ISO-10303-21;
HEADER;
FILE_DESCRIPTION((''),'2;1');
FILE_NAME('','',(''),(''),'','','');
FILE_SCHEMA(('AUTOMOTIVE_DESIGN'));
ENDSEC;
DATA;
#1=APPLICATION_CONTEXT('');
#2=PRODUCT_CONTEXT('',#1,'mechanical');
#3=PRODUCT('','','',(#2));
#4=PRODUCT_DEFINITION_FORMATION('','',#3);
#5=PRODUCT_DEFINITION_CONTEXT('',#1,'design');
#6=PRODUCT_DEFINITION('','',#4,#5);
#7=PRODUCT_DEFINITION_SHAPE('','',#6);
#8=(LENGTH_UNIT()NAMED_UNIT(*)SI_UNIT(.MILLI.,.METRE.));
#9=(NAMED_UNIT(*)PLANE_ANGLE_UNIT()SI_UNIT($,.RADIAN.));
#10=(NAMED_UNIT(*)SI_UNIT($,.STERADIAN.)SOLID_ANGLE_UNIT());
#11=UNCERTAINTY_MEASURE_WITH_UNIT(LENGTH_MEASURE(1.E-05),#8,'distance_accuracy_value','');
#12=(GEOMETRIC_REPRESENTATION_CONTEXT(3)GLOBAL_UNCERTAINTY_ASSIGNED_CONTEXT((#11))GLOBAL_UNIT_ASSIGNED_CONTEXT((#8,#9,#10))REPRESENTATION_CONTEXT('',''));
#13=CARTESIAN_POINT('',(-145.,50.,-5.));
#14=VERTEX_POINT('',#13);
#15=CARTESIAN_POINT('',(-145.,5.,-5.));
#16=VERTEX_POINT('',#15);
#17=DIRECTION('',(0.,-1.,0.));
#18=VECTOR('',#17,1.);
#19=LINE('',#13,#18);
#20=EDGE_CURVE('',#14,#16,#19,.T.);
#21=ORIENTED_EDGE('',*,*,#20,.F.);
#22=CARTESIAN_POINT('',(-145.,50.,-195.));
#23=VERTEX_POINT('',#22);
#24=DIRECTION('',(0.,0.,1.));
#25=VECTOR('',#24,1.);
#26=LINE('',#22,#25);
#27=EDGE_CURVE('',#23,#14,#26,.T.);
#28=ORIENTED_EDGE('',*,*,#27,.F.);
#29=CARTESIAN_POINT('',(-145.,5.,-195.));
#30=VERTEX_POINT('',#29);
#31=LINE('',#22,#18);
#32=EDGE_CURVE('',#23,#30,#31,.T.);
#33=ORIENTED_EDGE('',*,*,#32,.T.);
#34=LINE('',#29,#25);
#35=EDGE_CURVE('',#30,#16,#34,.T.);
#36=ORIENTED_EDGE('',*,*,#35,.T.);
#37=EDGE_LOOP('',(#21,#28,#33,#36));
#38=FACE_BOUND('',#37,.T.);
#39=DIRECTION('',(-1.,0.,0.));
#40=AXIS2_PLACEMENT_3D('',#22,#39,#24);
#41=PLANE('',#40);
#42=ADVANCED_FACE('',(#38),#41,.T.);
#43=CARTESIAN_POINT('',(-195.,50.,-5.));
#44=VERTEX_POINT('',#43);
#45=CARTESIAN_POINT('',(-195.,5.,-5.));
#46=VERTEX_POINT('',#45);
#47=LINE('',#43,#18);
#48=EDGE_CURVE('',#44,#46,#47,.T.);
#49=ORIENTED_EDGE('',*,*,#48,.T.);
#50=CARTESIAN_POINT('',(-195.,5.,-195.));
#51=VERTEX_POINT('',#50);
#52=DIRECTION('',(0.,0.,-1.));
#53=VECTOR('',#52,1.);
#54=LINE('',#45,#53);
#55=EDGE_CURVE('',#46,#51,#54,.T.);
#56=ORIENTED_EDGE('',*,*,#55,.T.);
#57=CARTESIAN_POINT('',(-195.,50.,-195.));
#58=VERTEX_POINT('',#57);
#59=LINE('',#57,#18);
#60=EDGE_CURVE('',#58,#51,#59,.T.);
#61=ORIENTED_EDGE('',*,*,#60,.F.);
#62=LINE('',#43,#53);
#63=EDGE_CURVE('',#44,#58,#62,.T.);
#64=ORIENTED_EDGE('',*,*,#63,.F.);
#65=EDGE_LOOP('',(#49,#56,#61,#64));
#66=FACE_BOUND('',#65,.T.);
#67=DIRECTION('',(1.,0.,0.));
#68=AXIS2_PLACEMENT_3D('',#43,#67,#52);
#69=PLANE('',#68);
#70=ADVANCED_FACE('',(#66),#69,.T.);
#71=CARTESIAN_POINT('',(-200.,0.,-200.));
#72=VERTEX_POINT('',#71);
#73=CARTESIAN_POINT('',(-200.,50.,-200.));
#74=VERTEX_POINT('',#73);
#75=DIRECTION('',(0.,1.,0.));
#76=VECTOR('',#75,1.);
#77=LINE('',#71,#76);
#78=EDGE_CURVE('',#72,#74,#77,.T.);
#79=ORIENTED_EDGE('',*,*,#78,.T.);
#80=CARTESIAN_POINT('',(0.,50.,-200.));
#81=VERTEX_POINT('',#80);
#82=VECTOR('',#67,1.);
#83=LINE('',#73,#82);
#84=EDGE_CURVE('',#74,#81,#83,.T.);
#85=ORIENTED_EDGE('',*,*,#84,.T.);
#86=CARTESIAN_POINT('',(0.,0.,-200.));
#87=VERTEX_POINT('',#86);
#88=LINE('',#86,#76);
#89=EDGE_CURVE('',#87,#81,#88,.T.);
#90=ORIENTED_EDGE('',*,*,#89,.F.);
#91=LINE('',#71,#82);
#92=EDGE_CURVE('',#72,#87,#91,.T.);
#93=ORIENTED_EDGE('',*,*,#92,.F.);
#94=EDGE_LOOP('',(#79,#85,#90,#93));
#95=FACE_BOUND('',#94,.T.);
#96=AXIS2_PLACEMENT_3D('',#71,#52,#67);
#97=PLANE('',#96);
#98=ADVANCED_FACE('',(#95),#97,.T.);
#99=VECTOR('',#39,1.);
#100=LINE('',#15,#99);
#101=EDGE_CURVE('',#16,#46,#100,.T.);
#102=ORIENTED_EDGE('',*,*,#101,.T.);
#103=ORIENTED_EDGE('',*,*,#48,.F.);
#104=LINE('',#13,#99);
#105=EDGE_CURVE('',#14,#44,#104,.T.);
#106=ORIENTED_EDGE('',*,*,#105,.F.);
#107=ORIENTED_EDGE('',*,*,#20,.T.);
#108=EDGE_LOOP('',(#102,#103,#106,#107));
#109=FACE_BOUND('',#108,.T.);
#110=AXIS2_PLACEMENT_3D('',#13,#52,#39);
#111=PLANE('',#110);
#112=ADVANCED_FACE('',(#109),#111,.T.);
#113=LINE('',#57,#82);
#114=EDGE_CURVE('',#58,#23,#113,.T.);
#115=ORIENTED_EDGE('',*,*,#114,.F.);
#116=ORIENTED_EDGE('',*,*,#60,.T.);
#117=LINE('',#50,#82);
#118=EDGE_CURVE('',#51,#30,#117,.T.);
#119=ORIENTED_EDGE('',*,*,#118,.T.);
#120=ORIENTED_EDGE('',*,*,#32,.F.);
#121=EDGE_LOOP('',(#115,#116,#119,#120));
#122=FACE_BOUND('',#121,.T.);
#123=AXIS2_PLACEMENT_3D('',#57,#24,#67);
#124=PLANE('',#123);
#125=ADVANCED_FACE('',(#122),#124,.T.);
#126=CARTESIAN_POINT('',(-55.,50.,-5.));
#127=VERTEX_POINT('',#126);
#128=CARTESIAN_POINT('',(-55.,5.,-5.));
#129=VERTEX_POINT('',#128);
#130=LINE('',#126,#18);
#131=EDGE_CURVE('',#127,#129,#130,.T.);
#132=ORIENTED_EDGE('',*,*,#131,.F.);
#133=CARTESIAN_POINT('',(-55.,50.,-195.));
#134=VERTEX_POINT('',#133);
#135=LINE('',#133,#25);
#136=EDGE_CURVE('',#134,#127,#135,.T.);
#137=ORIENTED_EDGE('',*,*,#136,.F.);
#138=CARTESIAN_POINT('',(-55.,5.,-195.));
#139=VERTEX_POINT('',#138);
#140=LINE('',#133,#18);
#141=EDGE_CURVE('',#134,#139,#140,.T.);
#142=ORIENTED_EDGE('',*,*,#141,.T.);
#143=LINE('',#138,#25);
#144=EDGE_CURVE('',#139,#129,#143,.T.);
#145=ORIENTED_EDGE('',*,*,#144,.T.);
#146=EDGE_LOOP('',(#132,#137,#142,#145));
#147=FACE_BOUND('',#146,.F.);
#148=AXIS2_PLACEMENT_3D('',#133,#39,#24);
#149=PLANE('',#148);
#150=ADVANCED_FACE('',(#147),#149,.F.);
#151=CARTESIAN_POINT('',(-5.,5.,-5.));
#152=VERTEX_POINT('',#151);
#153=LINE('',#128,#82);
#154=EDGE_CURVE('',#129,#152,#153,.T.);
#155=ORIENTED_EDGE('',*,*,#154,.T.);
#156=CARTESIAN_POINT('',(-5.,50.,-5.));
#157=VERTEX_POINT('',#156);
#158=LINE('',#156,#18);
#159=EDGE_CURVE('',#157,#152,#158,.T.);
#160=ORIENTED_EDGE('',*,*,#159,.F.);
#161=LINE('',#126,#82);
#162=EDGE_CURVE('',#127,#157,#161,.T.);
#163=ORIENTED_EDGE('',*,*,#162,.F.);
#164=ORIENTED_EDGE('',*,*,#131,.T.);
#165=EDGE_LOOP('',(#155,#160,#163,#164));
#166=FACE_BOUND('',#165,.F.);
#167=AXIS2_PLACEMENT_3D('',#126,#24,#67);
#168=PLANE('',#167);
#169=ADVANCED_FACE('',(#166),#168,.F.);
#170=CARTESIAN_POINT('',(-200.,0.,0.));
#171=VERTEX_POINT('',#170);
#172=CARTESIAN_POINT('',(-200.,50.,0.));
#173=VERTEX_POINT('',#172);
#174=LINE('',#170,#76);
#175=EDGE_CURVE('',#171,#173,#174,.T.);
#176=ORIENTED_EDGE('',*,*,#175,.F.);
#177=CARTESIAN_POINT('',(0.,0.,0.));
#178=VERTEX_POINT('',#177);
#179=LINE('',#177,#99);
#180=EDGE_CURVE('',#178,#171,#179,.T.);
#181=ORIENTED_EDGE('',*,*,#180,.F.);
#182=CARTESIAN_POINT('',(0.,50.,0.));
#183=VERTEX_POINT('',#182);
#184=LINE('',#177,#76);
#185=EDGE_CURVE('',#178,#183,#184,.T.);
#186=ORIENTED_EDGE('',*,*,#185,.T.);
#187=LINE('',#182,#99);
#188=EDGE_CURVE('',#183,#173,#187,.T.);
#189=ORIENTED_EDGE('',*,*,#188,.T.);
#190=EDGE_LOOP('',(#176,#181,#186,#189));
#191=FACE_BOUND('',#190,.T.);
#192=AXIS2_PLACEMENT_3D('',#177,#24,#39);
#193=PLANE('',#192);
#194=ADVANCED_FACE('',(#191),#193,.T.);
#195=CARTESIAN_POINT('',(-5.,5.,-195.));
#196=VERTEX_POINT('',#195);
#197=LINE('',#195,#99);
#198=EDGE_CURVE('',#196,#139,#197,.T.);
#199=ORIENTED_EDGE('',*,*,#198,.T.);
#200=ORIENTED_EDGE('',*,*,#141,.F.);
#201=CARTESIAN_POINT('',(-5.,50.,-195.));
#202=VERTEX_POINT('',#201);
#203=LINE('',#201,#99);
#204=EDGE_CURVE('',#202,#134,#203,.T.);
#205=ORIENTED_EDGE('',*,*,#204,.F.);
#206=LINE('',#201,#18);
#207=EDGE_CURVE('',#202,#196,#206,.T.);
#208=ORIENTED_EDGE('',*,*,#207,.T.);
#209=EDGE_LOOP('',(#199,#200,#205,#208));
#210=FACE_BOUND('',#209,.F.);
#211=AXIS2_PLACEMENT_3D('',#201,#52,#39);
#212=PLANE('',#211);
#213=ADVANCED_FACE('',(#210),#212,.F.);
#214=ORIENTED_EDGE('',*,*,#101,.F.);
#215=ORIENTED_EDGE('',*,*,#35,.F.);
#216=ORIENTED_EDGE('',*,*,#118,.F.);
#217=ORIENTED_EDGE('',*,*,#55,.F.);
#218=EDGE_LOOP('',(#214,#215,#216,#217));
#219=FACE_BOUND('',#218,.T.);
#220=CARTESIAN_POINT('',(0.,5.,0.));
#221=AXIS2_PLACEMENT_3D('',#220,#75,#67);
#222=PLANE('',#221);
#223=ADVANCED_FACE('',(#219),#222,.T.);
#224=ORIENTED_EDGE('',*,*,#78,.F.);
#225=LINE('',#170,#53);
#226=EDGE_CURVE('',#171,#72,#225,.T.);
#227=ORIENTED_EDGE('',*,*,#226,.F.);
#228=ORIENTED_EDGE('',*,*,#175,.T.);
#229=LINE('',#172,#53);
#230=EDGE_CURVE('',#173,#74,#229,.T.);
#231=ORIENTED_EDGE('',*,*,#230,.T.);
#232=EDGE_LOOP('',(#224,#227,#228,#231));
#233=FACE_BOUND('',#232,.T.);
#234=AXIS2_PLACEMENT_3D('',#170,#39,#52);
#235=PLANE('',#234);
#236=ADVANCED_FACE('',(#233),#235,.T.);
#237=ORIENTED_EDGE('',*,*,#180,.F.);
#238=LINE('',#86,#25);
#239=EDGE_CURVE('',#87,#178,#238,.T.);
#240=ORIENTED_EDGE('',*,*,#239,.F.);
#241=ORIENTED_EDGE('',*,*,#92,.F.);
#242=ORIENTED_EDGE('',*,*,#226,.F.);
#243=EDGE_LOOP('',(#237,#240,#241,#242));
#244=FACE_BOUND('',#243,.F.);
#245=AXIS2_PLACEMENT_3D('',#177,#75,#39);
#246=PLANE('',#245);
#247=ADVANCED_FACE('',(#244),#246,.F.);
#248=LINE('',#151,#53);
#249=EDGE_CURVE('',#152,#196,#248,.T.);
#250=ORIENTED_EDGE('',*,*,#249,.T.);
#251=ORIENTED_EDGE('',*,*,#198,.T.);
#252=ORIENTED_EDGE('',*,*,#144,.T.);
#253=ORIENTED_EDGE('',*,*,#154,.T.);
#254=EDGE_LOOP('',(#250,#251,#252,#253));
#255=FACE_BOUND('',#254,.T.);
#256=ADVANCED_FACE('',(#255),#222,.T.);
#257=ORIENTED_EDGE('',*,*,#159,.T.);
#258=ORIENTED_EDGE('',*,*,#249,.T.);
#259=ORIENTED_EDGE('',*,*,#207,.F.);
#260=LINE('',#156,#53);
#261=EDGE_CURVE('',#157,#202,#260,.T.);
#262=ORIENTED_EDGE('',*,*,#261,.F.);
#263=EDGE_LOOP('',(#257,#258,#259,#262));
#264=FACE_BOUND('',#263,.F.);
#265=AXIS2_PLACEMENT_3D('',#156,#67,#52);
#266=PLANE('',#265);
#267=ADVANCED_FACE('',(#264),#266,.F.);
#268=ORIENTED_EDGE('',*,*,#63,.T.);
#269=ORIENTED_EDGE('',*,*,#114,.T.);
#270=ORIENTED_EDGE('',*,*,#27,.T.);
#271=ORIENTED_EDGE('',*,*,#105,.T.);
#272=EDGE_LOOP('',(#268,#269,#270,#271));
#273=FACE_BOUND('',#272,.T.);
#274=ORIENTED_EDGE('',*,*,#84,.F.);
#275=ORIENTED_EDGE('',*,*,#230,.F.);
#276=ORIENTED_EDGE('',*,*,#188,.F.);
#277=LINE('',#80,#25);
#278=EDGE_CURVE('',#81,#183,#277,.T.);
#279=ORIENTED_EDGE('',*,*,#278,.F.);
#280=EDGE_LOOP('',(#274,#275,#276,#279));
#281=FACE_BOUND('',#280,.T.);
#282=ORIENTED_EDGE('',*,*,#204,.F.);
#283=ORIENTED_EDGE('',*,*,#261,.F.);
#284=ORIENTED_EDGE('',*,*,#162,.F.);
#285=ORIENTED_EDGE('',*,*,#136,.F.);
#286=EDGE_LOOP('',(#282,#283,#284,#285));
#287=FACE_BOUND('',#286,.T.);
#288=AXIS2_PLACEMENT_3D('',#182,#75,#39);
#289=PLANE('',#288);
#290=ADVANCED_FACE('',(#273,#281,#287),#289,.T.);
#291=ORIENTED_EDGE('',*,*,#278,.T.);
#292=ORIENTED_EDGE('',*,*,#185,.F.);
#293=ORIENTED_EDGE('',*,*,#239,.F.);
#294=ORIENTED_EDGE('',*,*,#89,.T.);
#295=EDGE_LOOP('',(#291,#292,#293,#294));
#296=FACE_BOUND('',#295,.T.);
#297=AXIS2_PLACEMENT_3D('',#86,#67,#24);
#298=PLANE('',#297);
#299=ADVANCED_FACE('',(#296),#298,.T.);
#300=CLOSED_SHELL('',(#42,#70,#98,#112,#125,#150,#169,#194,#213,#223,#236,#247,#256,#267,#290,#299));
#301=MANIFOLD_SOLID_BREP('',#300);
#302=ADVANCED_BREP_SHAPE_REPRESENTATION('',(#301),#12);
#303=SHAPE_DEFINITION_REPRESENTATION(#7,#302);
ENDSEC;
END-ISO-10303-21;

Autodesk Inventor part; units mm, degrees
ref_plane "YZ Plane" through (0, 0, 0) normal (1, 0, 0) x (0, 1, 0)
ref_plane "XZ Plane" through (0, 0, 0) normal (0, 1, 0) x (-1, 0, 0)
ref_plane "XY Plane" through (0, 0, 0) normal (0, 0, 1) x (1, 0, 0)
sketch "Sketch1" plane through (0, 0, 0) normal (0, 1, 0) x (-1, 0, 0)
  line L0 (0, 0) -> (200, 0)
  line L1 (200, 0) -> (200, -200)
  line L2 (200, -200) -> (0, -200)
  line L3 (0, -200) -> (0, 0)
  dimension "d0" = 200
  dimension "d1" = 200
extrude "Extrusion1" add sketch "Sketch1" along normal blind 50
sketch "Sketch2" plane through (0, 50, 0) normal (0, 1, 0) x (1, 0, 0)
  line L0 (-5, 5) -> (-5, 195)
  line L1 (0, 200) -> (-200, 200) projected
  line L2 (-5, 195) -> (-55, 195)
  line L3 (-55, 195) -> (-55, 5)
  line L4 (-55, 5) -> (-5, 5)
  line L5 (-200, 200) -> (-200, 0) projected
  line L6 (-195, 195) -> (-145, 195)
  line L7 (-145, 195) -> (-145, 5)
  line L8 (-145, 5) -> (-195, 5)
  line L9 (-195, 5) -> (-195, 195)
  point P0 (0, 0)
  dimension "d4" = 190
  dimension "d5" = 50
  dimension "d16" = 50
  dimension "d17" = 190
  dimension "d20" = 5
extrude "Extrusion2" cut sketch "Sketch2" against normal blind 45 contours L4 L3 L2 L0
extrude "Extrusión4" cut sketch "Sketch2" against normal blind 45 contours L6 L7 L8 L9
properties part number "Box"
